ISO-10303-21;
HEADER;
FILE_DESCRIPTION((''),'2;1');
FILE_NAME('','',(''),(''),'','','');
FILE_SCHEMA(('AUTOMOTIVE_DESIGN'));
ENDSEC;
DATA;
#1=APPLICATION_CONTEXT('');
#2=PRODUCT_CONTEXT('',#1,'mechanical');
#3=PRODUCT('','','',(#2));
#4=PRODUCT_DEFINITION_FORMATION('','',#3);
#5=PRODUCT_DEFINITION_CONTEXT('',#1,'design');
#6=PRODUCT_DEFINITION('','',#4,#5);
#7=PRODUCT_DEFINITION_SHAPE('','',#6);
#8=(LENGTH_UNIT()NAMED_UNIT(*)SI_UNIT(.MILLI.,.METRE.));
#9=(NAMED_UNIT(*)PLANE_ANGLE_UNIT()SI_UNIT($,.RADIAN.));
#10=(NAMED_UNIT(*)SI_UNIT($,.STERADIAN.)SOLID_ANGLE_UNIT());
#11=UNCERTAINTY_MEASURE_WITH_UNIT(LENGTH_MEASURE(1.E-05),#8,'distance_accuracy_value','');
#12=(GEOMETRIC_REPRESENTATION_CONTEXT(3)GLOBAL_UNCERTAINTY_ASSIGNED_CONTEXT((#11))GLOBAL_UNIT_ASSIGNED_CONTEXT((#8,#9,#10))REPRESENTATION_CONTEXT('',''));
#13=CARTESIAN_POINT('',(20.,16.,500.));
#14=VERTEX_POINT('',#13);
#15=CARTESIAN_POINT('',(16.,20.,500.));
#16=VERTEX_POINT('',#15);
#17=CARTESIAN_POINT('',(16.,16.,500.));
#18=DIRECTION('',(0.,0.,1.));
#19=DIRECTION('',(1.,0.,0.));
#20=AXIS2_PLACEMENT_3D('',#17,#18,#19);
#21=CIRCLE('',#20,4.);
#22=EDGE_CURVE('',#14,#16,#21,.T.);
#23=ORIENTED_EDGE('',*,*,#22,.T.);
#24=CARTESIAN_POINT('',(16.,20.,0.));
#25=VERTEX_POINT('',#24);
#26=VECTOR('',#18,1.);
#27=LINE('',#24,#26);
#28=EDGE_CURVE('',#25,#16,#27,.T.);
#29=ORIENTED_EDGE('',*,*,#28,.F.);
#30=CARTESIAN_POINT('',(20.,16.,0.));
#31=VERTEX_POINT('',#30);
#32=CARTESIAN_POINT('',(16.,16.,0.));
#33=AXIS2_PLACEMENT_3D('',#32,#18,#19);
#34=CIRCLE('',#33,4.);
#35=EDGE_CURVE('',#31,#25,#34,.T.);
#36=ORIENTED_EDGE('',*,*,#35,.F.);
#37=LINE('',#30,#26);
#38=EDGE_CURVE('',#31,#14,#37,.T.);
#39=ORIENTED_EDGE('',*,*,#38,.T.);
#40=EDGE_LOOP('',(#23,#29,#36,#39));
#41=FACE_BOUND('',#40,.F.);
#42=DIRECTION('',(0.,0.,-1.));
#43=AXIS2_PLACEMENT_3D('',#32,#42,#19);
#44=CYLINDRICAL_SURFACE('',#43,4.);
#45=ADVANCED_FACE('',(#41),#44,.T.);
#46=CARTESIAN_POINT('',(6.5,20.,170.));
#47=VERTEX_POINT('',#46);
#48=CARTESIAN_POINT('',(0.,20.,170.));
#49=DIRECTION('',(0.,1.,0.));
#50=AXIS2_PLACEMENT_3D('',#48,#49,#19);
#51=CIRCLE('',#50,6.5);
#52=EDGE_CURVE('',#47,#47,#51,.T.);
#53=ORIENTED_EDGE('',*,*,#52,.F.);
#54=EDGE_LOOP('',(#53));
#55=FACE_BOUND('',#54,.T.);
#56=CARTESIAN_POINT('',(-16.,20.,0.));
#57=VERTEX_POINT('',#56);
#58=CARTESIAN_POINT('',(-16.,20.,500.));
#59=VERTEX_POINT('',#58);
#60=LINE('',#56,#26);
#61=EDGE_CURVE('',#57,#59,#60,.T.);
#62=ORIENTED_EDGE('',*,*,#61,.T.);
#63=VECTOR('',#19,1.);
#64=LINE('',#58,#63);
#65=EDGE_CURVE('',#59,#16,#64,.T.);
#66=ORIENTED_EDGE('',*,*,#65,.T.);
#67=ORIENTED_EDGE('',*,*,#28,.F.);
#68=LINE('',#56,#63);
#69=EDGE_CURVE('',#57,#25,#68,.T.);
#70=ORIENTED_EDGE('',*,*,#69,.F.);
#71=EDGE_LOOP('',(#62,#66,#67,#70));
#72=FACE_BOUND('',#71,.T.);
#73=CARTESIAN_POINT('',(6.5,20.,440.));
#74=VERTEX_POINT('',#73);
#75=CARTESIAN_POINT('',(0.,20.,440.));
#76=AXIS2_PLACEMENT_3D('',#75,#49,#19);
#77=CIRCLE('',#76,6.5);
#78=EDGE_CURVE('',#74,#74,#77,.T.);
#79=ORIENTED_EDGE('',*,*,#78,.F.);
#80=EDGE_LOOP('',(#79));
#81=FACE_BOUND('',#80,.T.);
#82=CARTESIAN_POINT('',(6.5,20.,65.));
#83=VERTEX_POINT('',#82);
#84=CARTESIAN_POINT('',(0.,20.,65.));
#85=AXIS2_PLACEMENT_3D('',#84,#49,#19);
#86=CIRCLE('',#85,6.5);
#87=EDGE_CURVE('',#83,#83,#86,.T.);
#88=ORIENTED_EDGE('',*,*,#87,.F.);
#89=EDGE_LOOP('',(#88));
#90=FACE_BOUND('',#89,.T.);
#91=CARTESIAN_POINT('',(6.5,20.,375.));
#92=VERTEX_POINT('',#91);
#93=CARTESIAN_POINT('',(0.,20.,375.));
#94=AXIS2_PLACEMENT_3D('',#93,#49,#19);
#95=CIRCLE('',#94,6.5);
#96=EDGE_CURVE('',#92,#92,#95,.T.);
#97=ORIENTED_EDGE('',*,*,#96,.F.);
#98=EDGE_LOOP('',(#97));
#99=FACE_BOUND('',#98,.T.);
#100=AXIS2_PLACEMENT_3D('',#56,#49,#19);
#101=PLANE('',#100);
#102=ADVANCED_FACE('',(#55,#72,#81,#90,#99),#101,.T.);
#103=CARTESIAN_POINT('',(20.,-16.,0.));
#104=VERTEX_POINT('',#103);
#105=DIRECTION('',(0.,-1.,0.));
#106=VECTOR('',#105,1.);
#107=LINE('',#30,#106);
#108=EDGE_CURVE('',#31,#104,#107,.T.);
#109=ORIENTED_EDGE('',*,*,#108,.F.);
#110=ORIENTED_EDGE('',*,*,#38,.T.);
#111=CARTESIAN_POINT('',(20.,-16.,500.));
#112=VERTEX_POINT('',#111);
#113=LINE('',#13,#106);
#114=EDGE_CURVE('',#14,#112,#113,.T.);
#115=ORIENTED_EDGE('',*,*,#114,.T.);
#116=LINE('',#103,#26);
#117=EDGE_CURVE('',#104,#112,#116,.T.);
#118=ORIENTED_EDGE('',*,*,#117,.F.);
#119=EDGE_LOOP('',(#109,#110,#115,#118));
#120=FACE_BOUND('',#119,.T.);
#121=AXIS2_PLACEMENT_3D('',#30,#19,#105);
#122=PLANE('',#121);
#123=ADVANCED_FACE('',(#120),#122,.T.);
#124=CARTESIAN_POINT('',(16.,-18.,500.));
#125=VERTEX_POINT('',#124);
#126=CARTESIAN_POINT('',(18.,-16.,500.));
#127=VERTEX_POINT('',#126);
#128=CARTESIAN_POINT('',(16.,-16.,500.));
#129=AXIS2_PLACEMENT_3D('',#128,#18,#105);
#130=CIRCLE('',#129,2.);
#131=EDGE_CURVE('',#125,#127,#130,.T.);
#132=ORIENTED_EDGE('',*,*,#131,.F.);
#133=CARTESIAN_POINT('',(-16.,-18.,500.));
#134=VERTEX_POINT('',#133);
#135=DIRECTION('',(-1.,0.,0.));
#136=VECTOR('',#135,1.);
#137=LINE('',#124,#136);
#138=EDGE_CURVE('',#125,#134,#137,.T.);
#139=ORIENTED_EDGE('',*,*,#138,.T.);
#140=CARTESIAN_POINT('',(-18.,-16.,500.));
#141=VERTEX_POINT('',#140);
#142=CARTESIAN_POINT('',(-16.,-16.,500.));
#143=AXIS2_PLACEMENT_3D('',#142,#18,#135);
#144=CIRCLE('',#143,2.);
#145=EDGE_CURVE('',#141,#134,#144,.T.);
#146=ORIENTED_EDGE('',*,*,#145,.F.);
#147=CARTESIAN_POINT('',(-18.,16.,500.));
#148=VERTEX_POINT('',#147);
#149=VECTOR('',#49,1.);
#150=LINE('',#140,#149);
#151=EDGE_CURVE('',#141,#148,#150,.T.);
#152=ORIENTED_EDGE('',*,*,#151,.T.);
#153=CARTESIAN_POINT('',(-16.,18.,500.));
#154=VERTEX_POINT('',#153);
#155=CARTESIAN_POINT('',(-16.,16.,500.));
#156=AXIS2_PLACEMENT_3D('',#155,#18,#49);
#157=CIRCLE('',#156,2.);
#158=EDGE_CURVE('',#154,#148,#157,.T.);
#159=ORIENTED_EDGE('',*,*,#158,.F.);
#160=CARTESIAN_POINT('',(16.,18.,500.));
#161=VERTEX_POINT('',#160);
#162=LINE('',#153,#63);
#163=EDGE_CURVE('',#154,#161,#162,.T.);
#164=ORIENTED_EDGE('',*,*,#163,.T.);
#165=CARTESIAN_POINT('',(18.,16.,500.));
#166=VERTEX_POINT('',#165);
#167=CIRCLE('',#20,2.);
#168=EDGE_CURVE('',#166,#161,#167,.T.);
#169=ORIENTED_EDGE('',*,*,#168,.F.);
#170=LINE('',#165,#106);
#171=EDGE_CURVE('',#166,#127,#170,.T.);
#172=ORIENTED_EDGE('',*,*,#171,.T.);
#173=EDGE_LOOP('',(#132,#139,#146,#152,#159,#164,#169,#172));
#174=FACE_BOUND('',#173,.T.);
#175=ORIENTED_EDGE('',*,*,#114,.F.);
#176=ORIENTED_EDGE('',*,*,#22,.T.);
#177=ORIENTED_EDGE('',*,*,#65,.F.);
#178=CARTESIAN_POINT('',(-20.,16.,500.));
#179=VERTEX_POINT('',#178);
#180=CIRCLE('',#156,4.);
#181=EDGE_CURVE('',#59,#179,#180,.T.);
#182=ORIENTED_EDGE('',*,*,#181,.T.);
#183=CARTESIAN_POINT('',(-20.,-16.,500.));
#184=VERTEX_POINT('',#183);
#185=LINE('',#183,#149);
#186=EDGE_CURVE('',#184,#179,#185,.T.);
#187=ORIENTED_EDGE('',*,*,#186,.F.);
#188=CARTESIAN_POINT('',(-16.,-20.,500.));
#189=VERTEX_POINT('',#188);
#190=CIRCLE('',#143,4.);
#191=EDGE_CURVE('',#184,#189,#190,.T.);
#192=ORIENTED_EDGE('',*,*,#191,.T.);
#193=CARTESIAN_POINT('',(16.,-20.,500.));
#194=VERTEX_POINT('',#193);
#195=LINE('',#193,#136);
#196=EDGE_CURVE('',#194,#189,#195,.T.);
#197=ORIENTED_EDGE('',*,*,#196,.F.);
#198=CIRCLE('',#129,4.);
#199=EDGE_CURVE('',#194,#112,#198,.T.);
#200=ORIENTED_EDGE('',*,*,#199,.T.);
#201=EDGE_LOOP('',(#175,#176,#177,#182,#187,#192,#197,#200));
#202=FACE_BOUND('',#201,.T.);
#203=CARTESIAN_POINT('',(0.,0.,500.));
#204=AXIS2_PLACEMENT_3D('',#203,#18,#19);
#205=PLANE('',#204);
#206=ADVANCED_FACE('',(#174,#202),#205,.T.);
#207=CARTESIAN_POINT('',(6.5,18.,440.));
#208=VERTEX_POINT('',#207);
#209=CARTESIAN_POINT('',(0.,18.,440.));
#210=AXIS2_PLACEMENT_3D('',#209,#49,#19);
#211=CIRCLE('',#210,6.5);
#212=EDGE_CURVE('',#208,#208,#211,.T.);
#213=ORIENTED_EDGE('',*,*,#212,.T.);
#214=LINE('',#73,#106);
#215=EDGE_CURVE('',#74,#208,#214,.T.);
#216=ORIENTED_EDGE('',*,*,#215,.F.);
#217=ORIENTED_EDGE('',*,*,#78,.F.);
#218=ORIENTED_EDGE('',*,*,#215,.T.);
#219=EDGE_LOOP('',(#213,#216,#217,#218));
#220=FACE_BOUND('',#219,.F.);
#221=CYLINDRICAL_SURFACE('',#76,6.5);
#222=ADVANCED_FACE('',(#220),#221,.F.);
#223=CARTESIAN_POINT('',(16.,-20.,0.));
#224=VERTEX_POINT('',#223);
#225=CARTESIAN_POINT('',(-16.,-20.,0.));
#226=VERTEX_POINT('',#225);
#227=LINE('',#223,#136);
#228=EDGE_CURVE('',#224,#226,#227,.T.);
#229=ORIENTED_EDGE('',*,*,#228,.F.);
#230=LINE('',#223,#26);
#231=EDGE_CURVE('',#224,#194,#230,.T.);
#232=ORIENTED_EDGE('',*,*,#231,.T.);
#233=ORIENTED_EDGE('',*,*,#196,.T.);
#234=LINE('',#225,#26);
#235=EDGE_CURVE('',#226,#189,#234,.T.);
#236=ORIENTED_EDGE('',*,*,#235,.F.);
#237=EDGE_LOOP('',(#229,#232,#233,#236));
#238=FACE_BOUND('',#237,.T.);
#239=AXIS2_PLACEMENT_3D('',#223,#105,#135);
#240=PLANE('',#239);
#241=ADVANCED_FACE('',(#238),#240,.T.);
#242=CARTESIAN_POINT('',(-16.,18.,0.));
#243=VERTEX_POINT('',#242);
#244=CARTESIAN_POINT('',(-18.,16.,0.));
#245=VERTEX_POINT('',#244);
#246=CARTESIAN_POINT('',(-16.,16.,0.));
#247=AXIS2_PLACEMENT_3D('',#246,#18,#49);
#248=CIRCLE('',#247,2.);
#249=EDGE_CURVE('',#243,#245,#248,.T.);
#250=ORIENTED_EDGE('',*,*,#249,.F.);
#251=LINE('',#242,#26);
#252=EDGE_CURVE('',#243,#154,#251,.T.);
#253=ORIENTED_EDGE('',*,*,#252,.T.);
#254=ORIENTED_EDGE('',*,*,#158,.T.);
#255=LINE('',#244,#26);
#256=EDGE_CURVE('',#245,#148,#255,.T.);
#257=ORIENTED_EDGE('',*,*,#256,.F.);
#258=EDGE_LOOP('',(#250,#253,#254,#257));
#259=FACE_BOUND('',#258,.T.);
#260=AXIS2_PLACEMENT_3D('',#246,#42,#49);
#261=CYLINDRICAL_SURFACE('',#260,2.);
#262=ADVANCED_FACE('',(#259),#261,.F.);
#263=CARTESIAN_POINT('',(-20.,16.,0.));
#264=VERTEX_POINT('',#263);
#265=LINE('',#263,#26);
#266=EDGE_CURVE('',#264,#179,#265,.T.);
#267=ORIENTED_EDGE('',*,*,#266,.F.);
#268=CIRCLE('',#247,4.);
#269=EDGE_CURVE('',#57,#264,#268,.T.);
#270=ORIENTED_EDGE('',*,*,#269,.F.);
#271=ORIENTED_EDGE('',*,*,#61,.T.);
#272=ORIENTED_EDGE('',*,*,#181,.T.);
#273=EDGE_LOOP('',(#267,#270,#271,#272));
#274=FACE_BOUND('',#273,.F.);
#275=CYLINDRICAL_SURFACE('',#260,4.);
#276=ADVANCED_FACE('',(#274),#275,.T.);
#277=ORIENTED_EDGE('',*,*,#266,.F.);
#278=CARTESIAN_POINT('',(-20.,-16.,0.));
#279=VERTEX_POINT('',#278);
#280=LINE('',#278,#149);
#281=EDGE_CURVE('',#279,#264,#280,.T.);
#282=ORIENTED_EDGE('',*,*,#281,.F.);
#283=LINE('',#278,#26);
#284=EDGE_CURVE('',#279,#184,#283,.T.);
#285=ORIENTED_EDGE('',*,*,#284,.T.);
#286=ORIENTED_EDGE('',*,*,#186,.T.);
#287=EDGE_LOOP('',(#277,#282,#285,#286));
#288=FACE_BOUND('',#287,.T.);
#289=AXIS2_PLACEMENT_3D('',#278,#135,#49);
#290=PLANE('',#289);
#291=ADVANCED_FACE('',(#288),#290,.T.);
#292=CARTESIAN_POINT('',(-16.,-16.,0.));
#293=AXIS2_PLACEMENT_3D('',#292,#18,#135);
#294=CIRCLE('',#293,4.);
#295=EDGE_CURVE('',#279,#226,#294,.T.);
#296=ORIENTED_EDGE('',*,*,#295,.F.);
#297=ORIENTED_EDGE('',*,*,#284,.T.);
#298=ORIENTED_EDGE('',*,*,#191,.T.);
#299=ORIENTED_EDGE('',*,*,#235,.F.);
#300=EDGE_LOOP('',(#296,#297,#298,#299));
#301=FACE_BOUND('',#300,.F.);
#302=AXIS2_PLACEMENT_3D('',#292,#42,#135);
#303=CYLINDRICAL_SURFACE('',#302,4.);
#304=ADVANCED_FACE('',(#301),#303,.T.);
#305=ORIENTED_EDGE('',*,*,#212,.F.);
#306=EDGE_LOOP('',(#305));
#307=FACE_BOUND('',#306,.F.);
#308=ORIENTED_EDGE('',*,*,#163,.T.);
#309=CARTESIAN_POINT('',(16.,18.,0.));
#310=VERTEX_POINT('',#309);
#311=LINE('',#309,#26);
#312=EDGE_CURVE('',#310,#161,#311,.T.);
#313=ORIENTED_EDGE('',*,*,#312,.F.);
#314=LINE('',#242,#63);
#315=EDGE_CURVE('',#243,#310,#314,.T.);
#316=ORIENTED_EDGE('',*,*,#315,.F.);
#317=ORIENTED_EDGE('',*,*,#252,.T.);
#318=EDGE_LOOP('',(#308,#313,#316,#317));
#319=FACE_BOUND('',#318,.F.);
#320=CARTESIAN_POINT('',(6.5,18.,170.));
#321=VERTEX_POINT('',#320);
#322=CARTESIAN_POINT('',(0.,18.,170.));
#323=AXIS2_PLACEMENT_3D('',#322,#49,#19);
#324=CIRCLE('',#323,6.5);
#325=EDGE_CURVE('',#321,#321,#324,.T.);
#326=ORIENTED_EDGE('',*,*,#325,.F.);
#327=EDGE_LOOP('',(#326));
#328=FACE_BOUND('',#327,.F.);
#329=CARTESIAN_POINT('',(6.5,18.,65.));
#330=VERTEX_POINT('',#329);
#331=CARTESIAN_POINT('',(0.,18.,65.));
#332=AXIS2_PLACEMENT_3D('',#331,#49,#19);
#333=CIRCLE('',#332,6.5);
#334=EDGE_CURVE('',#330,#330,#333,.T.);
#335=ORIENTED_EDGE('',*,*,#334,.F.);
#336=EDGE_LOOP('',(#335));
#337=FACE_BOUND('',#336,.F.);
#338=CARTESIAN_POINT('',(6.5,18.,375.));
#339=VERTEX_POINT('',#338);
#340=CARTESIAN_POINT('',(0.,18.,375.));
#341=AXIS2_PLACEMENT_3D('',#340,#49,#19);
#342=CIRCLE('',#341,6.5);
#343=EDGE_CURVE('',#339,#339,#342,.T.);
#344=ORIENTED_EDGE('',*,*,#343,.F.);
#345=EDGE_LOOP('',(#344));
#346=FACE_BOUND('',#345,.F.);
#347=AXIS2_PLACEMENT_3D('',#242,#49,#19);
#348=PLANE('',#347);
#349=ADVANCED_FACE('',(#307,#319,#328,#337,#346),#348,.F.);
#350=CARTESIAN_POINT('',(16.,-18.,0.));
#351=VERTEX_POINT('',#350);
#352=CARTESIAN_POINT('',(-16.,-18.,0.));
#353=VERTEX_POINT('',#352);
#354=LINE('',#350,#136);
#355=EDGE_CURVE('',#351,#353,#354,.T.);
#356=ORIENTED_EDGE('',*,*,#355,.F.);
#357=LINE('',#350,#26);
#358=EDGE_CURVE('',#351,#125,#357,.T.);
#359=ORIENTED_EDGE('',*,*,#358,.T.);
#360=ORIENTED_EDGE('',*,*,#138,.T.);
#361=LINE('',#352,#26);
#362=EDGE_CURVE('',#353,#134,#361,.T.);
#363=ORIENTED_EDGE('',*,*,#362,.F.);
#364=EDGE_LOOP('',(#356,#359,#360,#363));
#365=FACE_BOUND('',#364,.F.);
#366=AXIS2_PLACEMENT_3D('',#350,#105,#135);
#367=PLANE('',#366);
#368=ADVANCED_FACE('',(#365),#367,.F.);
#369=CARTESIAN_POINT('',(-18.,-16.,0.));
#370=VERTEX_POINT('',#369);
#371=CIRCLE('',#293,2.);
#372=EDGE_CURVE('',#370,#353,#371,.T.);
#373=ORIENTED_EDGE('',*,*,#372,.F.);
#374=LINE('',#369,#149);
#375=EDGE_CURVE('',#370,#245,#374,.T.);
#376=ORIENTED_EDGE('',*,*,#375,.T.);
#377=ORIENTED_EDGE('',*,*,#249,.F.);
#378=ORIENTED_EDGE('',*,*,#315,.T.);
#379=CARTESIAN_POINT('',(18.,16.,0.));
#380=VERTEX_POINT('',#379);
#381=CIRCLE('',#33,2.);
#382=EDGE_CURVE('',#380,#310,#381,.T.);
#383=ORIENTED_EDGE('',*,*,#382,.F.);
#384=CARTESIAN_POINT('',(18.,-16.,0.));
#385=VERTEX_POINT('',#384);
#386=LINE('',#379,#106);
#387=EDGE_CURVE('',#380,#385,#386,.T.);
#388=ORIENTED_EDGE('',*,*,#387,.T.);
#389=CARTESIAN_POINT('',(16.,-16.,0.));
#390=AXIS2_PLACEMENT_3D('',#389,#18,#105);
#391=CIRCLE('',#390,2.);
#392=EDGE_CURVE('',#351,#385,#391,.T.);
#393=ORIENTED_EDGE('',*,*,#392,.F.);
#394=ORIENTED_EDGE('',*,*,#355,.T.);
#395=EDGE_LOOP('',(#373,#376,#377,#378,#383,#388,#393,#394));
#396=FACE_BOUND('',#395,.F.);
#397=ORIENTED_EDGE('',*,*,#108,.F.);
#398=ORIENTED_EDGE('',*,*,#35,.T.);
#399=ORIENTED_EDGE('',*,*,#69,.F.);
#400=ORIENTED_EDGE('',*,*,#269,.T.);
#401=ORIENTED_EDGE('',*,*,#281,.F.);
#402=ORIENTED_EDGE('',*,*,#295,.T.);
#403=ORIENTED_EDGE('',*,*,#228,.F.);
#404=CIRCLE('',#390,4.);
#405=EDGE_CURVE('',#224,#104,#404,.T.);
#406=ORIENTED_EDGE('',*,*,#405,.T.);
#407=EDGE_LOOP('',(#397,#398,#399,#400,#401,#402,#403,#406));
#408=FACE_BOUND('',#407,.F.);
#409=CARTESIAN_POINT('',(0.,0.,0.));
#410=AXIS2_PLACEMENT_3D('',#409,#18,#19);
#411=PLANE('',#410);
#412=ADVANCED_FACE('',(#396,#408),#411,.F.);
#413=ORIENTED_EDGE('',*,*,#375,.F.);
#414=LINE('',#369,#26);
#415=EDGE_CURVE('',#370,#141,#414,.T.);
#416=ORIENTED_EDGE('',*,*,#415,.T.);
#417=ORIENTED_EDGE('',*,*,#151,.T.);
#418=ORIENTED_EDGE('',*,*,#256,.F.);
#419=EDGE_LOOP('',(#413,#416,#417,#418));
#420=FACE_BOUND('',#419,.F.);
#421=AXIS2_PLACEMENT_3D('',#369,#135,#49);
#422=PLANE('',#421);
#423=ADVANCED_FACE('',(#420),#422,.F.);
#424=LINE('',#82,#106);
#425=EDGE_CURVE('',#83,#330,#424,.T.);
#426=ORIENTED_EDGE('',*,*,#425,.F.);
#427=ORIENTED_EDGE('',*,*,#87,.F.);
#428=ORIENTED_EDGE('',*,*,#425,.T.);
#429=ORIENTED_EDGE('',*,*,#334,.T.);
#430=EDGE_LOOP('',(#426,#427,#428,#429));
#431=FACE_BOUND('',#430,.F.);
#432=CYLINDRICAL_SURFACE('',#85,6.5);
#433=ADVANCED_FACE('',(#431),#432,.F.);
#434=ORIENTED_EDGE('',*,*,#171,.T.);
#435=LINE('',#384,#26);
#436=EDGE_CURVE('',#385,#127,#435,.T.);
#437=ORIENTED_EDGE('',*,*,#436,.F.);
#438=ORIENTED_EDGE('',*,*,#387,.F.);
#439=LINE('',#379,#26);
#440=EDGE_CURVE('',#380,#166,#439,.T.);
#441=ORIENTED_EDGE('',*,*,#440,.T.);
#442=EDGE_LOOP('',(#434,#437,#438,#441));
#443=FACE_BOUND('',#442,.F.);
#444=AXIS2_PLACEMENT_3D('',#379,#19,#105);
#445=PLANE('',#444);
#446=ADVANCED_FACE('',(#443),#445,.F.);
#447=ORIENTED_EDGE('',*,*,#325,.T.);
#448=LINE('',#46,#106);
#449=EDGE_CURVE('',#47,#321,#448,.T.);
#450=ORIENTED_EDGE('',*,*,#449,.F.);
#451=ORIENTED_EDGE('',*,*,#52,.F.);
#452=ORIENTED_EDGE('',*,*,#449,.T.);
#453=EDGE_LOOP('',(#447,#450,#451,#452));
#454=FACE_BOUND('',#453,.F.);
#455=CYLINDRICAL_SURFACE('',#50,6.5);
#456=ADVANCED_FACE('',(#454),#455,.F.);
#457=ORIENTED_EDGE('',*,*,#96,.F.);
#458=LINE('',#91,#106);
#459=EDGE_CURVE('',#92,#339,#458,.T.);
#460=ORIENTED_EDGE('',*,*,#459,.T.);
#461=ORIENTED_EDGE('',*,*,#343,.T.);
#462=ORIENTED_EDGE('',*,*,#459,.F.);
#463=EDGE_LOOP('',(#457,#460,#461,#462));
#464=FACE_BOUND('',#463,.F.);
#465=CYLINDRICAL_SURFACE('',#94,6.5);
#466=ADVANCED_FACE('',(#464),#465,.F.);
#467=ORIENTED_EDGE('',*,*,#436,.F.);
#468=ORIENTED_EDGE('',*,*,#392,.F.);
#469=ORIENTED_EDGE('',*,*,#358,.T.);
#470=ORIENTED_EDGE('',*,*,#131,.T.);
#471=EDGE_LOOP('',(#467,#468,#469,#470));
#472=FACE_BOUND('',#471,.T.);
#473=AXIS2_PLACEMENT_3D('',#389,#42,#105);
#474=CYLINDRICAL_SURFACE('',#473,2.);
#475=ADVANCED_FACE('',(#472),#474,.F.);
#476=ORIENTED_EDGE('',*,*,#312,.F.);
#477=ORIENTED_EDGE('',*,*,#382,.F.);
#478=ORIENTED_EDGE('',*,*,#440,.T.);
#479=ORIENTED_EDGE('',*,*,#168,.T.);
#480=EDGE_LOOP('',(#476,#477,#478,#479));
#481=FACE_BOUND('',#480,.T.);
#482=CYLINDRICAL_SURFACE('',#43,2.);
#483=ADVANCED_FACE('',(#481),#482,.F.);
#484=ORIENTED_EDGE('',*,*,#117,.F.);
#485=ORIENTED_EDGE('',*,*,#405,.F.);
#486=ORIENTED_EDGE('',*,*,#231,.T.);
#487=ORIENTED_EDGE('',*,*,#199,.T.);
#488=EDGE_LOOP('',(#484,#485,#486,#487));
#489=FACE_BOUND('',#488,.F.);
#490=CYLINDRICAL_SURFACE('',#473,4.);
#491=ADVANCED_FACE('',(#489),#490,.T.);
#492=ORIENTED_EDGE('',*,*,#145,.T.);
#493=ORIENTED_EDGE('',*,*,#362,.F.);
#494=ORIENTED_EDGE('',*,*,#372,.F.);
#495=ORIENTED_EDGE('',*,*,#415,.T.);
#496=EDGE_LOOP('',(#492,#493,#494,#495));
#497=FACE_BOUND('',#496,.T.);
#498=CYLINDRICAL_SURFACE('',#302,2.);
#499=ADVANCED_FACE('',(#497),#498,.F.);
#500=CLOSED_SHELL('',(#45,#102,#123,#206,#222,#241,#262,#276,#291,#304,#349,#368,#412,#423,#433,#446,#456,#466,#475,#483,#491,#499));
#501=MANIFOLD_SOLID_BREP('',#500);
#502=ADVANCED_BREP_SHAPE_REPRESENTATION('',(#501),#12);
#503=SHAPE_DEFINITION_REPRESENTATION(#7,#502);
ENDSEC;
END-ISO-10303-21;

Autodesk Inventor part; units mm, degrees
ref_plane "YZ Plane" through (0, 0, 0) normal (1, 0, 0) x (0, 1, 0)
ref_plane "Start Plane" through (0, 0, 0) normal (0, 0, 1) x (1, 0, 0)
ref_plane "End Plane" through (0, 0, 500) normal (0, 0, 1) x (1, 0, 0)
sketch "Sketch" plane through (0, 0, 0) normal (0, 0, 1) x (1, 0, 0)
  line L0 (-20, -16) -> (-20, 16)
  line L1 (-16, 20) -> (16, 20)
  line L2 (20, 16) -> (20, -16)
  line L3 (16, -20) -> (-16, -20)
  arc A0 (-20, -16) -> (-16, -20) centre (-16, -16) ccw
  arc A1 (20, 16) -> (16, 20) centre (16, 16) ccw
  arc A2 (-16, 20) -> (-20, 16) centre (-16, 16) ccw
  arc A3 (16, -20) -> (20, -16) centre (16, -16) ccw
  arc A4 (-16, 18) -> (-18, 16) centre (-16, 16) ccw
  line L4 (-16, 18) -> (16, 18)
  arc A5 (18, 16) -> (16, 18) centre (16, 16) ccw
  line L5 (18, 16) -> (18, -16)
  arc A6 (16, -18) -> (18, -16) centre (16, -16) ccw
  line L6 (16, -18) -> (-16, -18)
  arc A7 (-18, -16) -> (-16, -18) centre (-16, -16) ccw
  line L7 (-18, -16) -> (-18, 16)
  line L8 (0, 29.1598) -> (0, -29.1598) construction
  line L9 (-29.1598, 0) -> (29.1598, 0) construction
  dimension "d7" = 4
  dimension "d9" = 40
  dimension "d11" = 40
  dimension "d12" = 2
  dimension "d15" = 20
  dimension "d16" = 20
extrude "Body" add sketch "Sketch" along normal up to surface (500 mm away) from surface at 0
sketch "Sketch3" plane through (0, 0, 0) normal (0, 0, 1) x (1, 0, 0)
  line L0 (0, 0) -> (10, 0)
ref_plane "Work Plane3" through (0, 0, 0) normal (0, -1, 0) x (1, 0, 0)
sketch "Sketch5" plane through (16, 20, 500) normal (0, 1, 0) x (1, 0, 0)
  circle A0 centre (-16, 435) radius 6.5
  circle A1 centre (-16, 330) radius 6.5
  circle A2 centre (-16, 125) radius 6.5
  circle A3 centre (-16, 60) radius 6.5
  line L0 (-32, 500) -> (0, 500) projected
  line L1 (-32, 0) -> (0, 0) projected
  point P0 (-16, 500)
  point P1 (-16, 500)
  point P2 (-16, 500)
  dimension "d19" = 13
  dimension "d20" = 105
  dimension "d21" = 65
  dimension "d24" = 60
  dimension "d25" = 205
extrude "Extrusion2" cut sketch "Sketch5" against normal up to surface (2 mm away)
sketch "Sketch4" plane through (0, 0, 0) normal (0, -1, 0) x (1, 0, 0)
  line L0 (-2, 0) -> (12, 0) projected
  line L1 (-2, 500) -> (12, 500) projected
  dimension "d18" = 500
equation "\"d7\" = G_IR"
equation "\"d9\" = G_W"
equation "\"d11\" = G_H"
equation "\"d12\" = G_T"
equation "\"d15\" = 0.5 * d9"
equation "\"d16\" = 0.5 * d11"
equation "\"d3\" = G_L"
equation "\"G_W\" = 40"
equation "\"G_H\" = 40"
equation "\"G_T\" = 2"
equation "\"G_IR\" = 4"
equation "\"G_L\" = d18"
equation "\"G_OFFSET_START\" = 0"
equation "\"G_OFFSET_END\" = 0"
properties part number "ISO 10799-2 - 40x40x2 - 500" material "Steel, Mild"
